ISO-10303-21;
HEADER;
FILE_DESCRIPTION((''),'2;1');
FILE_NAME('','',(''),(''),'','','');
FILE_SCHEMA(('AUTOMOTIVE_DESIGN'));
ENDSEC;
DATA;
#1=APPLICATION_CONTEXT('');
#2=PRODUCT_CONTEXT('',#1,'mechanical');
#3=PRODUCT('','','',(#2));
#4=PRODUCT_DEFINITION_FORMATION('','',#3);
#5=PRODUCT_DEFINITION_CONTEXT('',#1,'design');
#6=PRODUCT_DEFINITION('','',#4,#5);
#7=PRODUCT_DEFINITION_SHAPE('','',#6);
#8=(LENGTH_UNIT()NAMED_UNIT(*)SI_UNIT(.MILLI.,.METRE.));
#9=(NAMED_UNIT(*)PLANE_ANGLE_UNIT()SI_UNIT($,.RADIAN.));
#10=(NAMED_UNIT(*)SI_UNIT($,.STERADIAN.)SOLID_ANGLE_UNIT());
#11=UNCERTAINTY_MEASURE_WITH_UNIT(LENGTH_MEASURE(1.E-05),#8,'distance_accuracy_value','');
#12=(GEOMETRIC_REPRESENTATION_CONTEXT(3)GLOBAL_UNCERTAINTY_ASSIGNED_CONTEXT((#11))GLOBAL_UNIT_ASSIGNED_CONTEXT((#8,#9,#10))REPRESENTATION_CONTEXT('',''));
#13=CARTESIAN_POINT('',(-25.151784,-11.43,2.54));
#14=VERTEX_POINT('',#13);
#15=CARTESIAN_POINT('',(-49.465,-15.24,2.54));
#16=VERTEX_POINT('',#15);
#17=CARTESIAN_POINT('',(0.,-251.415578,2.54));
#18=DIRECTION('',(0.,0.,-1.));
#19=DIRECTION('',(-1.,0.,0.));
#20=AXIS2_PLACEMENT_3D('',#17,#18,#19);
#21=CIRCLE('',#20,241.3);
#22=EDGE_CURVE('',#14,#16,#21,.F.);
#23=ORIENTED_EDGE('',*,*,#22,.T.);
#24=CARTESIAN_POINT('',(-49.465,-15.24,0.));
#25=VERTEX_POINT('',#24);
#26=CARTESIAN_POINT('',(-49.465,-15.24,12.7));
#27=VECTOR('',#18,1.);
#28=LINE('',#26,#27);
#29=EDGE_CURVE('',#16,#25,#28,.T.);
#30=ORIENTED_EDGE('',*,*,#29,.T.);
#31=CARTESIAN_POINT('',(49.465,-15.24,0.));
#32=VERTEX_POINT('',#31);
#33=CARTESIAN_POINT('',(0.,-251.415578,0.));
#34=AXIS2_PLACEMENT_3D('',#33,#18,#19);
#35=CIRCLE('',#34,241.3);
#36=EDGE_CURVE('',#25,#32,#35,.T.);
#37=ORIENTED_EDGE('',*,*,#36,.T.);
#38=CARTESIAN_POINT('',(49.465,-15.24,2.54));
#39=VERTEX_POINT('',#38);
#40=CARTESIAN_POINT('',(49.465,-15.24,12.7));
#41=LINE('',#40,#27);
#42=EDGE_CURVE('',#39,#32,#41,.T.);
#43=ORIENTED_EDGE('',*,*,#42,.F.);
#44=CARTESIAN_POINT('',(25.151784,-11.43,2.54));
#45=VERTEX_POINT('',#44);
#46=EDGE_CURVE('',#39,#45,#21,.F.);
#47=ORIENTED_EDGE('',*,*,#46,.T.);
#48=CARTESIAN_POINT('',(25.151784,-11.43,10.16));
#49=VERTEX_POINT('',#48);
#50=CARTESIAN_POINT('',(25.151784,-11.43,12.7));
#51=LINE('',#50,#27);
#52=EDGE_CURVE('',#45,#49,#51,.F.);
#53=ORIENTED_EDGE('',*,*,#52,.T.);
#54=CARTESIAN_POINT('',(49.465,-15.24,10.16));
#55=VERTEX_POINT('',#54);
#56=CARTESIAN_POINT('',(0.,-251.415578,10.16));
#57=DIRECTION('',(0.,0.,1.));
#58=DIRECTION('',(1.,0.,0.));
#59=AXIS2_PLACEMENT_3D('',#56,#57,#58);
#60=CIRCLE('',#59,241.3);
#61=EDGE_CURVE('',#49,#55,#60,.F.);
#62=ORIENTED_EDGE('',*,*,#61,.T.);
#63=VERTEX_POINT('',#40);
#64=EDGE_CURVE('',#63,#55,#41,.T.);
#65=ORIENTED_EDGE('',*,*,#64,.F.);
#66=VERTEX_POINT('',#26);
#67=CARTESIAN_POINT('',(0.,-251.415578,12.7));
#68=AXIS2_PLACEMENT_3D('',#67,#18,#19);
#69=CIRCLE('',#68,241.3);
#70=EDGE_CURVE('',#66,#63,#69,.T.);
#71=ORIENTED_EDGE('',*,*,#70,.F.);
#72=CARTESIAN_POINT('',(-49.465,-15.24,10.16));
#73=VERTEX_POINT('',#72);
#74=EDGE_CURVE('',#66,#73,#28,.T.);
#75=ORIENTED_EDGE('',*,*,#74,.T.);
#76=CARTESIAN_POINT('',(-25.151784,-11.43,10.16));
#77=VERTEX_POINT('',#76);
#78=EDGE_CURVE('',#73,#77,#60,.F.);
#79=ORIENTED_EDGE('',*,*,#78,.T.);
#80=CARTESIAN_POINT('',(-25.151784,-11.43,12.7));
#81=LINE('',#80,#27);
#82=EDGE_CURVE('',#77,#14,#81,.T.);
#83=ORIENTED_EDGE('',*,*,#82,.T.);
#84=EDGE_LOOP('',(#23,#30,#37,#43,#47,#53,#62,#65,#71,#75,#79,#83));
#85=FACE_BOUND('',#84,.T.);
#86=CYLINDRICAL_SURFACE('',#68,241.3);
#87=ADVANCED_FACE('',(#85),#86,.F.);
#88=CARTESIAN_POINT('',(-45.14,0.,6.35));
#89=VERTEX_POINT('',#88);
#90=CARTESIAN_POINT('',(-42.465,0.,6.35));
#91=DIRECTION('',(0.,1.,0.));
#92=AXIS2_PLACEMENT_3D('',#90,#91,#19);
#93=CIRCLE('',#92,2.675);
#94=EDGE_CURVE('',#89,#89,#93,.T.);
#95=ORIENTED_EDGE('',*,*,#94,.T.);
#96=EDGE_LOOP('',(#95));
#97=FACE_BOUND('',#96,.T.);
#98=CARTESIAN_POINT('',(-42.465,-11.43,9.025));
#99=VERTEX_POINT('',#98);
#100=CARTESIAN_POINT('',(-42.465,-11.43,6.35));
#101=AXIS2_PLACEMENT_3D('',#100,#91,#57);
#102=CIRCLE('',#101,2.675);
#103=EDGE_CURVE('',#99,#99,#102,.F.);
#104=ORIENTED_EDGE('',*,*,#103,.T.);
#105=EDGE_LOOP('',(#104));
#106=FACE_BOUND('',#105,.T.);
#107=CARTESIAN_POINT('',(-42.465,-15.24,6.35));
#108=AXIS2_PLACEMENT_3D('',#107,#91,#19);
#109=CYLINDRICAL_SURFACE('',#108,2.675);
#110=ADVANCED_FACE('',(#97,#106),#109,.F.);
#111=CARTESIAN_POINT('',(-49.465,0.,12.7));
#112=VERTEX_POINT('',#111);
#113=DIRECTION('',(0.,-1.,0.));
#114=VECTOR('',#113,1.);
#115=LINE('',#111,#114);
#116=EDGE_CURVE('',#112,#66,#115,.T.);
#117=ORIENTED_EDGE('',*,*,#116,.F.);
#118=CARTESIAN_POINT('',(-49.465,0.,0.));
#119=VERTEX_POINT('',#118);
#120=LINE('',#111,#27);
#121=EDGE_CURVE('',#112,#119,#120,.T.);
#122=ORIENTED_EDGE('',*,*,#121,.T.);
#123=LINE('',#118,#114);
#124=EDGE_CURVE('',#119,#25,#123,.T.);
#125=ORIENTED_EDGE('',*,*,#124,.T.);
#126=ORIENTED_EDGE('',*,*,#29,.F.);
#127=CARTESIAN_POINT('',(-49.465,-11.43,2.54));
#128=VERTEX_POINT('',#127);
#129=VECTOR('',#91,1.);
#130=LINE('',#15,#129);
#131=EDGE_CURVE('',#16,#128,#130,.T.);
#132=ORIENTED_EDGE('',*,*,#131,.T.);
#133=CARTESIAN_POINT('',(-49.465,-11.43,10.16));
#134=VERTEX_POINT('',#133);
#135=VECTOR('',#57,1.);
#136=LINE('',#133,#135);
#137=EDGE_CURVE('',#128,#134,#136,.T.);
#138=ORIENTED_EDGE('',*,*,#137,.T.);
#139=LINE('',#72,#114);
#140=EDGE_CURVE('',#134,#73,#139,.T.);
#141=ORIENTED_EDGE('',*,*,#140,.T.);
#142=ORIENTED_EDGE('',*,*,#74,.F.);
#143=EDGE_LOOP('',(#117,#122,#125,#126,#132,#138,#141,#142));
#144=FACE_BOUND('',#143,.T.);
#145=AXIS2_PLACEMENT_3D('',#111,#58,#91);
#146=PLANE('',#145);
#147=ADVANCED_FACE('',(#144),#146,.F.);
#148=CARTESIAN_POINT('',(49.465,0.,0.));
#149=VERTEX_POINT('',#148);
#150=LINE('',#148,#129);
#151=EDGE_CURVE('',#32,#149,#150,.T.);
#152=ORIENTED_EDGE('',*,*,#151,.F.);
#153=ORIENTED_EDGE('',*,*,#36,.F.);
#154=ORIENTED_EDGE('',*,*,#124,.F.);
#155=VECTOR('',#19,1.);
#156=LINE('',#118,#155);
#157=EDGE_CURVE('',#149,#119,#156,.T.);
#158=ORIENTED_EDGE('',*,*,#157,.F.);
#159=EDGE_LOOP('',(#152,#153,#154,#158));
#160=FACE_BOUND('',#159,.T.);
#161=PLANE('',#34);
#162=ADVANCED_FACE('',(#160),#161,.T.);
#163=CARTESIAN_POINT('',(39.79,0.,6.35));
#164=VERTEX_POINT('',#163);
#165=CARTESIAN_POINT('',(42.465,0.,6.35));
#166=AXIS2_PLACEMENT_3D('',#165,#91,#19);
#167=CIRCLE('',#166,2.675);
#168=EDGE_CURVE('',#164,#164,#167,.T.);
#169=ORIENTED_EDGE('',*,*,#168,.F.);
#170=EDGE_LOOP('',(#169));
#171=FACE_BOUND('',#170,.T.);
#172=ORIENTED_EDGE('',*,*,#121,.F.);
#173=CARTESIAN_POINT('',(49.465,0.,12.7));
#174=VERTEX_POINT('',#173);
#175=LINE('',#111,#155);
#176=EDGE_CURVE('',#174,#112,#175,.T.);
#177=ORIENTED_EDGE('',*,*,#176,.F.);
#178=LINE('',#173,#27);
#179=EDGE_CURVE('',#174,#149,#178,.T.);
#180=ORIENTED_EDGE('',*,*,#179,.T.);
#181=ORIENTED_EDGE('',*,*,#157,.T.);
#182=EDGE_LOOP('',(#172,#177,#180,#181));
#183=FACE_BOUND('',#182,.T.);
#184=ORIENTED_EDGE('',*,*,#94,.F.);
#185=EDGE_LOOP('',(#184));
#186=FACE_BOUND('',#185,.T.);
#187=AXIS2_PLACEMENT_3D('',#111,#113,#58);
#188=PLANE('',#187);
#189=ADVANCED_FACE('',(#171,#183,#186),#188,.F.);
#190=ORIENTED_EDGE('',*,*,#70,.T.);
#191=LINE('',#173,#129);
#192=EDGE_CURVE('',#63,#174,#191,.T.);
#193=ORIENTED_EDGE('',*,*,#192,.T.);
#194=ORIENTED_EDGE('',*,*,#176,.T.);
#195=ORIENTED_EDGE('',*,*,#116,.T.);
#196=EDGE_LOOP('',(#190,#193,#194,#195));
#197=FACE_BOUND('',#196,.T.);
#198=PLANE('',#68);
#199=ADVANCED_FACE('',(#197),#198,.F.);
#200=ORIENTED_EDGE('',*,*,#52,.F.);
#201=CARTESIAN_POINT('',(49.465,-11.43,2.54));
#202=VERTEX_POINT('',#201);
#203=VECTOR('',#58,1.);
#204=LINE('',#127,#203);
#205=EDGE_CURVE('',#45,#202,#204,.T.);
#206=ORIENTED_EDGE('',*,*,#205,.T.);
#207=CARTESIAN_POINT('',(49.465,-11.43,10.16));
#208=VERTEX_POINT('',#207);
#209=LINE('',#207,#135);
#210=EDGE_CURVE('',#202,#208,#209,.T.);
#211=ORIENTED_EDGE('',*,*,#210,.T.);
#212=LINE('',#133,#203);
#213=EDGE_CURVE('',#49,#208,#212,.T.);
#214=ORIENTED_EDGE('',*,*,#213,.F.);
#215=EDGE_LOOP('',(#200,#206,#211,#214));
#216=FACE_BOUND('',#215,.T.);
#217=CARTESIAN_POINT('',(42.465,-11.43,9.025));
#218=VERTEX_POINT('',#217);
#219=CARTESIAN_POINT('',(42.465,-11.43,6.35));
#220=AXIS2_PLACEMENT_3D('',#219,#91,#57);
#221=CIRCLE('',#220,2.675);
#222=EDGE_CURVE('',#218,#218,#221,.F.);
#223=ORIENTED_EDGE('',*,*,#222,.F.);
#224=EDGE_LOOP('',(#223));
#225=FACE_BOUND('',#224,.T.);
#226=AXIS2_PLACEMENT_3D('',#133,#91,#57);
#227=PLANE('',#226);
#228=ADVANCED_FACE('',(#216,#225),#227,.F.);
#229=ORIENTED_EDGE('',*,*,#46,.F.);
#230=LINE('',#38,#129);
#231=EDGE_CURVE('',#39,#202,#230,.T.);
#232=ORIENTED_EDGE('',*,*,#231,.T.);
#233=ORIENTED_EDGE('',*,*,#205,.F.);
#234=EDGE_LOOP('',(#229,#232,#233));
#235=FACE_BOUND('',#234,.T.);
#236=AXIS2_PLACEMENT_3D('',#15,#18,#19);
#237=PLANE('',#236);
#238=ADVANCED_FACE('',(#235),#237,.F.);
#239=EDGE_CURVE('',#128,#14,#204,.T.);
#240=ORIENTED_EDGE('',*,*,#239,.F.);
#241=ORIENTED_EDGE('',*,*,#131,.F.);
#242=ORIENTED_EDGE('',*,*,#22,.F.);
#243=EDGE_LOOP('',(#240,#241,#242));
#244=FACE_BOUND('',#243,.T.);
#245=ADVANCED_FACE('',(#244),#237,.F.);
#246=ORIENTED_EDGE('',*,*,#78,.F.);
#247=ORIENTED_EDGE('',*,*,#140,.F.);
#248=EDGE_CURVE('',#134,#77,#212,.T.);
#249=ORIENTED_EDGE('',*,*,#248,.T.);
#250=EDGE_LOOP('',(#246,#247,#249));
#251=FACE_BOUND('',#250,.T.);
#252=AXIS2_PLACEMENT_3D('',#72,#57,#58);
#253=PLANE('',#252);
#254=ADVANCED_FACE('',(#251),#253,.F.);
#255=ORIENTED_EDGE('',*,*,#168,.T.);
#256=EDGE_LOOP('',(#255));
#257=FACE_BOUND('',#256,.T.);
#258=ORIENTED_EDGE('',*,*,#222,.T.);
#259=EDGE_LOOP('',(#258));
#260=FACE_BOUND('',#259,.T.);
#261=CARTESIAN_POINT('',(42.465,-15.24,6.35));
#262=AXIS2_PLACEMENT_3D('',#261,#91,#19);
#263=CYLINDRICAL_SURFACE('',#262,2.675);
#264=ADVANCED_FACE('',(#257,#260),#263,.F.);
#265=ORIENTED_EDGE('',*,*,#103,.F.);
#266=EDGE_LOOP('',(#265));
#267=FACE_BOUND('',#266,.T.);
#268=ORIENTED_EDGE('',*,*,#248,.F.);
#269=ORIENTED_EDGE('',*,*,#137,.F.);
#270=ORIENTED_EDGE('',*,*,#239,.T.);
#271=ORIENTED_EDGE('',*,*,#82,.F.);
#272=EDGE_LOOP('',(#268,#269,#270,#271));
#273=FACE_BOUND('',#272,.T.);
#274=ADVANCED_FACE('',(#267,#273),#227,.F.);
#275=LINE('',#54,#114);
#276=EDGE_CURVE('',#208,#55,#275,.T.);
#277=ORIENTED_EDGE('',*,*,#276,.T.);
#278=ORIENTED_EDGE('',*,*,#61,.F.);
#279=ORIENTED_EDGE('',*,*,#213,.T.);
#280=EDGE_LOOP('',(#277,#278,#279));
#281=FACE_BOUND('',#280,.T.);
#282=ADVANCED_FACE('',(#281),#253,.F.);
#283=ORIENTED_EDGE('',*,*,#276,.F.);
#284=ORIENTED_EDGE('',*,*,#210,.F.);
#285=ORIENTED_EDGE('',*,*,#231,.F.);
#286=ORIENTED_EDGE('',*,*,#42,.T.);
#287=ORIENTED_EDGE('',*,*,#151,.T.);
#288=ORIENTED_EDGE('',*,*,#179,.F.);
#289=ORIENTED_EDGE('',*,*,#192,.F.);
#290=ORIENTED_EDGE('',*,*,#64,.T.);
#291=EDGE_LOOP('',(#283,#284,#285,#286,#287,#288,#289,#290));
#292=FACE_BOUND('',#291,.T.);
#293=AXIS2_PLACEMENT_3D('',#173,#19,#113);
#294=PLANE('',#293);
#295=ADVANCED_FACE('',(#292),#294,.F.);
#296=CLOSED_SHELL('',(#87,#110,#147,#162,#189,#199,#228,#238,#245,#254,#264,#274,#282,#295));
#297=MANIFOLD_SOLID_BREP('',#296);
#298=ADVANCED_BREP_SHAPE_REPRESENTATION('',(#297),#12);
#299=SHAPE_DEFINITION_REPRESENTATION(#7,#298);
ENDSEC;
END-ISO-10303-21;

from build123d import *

# Parameters (mm, degrees)
BOSS_EXTRUDE1_DEPTH = 12.7
SKETCH2_R           = 2.675
CUT_EXTRUDE1_DEPTH  = 16.24
SKETCH3_W           = 7.62
SKETCH3_H           = 3.81
CUT_EXTRUDE2_DEPTH  = 99.9300001


with BuildPart() as part:
    # Sketch1 → Boss-Extrude1 (new body)
    with BuildSketch(Plane.XY):
        with BuildLine():
            Line((-49.465, 0), (49.465, 0))
            Line((49.465, 0), (49.465, -15.24))
            ThreePointArc((49.465, -15.24), (0, -10.115578278), (-49.465, -15.24))
            Line((-49.465, -15.24), (-49.465, 0))
        make_face()
    extrude(amount=BOSS_EXTRUDE1_DEPTH)

    # Sketch2 → Cut-Extrude1 (cut, through all)
    with BuildSketch(Plane(origin=(0, 0, 0), x_dir=(1, 0, 0), z_dir=(0, 1, 0))):
        with Locations((-42.465, -6.35)):
            Circle(SKETCH2_R)
        with Locations((42.465, -6.35)):
            Circle(SKETCH2_R)
    extrude(amount=-CUT_EXTRUDE1_DEPTH, mode=Mode.SUBTRACT)

    # Sketch3 → Cut-Extrude2 (cut, through all)
    with BuildSketch(Plane(origin=(49.465, 0, 0), x_dir=(0, 0, -1), z_dir=(1, 0, 0))):
        with Locations((-6.35, -13.335)):
            Rectangle(SKETCH3_W, SKETCH3_H)
    extrude(amount=-CUT_EXTRUDE2_DEPTH, mode=Mode.SUBTRACT)


solid = part.part
